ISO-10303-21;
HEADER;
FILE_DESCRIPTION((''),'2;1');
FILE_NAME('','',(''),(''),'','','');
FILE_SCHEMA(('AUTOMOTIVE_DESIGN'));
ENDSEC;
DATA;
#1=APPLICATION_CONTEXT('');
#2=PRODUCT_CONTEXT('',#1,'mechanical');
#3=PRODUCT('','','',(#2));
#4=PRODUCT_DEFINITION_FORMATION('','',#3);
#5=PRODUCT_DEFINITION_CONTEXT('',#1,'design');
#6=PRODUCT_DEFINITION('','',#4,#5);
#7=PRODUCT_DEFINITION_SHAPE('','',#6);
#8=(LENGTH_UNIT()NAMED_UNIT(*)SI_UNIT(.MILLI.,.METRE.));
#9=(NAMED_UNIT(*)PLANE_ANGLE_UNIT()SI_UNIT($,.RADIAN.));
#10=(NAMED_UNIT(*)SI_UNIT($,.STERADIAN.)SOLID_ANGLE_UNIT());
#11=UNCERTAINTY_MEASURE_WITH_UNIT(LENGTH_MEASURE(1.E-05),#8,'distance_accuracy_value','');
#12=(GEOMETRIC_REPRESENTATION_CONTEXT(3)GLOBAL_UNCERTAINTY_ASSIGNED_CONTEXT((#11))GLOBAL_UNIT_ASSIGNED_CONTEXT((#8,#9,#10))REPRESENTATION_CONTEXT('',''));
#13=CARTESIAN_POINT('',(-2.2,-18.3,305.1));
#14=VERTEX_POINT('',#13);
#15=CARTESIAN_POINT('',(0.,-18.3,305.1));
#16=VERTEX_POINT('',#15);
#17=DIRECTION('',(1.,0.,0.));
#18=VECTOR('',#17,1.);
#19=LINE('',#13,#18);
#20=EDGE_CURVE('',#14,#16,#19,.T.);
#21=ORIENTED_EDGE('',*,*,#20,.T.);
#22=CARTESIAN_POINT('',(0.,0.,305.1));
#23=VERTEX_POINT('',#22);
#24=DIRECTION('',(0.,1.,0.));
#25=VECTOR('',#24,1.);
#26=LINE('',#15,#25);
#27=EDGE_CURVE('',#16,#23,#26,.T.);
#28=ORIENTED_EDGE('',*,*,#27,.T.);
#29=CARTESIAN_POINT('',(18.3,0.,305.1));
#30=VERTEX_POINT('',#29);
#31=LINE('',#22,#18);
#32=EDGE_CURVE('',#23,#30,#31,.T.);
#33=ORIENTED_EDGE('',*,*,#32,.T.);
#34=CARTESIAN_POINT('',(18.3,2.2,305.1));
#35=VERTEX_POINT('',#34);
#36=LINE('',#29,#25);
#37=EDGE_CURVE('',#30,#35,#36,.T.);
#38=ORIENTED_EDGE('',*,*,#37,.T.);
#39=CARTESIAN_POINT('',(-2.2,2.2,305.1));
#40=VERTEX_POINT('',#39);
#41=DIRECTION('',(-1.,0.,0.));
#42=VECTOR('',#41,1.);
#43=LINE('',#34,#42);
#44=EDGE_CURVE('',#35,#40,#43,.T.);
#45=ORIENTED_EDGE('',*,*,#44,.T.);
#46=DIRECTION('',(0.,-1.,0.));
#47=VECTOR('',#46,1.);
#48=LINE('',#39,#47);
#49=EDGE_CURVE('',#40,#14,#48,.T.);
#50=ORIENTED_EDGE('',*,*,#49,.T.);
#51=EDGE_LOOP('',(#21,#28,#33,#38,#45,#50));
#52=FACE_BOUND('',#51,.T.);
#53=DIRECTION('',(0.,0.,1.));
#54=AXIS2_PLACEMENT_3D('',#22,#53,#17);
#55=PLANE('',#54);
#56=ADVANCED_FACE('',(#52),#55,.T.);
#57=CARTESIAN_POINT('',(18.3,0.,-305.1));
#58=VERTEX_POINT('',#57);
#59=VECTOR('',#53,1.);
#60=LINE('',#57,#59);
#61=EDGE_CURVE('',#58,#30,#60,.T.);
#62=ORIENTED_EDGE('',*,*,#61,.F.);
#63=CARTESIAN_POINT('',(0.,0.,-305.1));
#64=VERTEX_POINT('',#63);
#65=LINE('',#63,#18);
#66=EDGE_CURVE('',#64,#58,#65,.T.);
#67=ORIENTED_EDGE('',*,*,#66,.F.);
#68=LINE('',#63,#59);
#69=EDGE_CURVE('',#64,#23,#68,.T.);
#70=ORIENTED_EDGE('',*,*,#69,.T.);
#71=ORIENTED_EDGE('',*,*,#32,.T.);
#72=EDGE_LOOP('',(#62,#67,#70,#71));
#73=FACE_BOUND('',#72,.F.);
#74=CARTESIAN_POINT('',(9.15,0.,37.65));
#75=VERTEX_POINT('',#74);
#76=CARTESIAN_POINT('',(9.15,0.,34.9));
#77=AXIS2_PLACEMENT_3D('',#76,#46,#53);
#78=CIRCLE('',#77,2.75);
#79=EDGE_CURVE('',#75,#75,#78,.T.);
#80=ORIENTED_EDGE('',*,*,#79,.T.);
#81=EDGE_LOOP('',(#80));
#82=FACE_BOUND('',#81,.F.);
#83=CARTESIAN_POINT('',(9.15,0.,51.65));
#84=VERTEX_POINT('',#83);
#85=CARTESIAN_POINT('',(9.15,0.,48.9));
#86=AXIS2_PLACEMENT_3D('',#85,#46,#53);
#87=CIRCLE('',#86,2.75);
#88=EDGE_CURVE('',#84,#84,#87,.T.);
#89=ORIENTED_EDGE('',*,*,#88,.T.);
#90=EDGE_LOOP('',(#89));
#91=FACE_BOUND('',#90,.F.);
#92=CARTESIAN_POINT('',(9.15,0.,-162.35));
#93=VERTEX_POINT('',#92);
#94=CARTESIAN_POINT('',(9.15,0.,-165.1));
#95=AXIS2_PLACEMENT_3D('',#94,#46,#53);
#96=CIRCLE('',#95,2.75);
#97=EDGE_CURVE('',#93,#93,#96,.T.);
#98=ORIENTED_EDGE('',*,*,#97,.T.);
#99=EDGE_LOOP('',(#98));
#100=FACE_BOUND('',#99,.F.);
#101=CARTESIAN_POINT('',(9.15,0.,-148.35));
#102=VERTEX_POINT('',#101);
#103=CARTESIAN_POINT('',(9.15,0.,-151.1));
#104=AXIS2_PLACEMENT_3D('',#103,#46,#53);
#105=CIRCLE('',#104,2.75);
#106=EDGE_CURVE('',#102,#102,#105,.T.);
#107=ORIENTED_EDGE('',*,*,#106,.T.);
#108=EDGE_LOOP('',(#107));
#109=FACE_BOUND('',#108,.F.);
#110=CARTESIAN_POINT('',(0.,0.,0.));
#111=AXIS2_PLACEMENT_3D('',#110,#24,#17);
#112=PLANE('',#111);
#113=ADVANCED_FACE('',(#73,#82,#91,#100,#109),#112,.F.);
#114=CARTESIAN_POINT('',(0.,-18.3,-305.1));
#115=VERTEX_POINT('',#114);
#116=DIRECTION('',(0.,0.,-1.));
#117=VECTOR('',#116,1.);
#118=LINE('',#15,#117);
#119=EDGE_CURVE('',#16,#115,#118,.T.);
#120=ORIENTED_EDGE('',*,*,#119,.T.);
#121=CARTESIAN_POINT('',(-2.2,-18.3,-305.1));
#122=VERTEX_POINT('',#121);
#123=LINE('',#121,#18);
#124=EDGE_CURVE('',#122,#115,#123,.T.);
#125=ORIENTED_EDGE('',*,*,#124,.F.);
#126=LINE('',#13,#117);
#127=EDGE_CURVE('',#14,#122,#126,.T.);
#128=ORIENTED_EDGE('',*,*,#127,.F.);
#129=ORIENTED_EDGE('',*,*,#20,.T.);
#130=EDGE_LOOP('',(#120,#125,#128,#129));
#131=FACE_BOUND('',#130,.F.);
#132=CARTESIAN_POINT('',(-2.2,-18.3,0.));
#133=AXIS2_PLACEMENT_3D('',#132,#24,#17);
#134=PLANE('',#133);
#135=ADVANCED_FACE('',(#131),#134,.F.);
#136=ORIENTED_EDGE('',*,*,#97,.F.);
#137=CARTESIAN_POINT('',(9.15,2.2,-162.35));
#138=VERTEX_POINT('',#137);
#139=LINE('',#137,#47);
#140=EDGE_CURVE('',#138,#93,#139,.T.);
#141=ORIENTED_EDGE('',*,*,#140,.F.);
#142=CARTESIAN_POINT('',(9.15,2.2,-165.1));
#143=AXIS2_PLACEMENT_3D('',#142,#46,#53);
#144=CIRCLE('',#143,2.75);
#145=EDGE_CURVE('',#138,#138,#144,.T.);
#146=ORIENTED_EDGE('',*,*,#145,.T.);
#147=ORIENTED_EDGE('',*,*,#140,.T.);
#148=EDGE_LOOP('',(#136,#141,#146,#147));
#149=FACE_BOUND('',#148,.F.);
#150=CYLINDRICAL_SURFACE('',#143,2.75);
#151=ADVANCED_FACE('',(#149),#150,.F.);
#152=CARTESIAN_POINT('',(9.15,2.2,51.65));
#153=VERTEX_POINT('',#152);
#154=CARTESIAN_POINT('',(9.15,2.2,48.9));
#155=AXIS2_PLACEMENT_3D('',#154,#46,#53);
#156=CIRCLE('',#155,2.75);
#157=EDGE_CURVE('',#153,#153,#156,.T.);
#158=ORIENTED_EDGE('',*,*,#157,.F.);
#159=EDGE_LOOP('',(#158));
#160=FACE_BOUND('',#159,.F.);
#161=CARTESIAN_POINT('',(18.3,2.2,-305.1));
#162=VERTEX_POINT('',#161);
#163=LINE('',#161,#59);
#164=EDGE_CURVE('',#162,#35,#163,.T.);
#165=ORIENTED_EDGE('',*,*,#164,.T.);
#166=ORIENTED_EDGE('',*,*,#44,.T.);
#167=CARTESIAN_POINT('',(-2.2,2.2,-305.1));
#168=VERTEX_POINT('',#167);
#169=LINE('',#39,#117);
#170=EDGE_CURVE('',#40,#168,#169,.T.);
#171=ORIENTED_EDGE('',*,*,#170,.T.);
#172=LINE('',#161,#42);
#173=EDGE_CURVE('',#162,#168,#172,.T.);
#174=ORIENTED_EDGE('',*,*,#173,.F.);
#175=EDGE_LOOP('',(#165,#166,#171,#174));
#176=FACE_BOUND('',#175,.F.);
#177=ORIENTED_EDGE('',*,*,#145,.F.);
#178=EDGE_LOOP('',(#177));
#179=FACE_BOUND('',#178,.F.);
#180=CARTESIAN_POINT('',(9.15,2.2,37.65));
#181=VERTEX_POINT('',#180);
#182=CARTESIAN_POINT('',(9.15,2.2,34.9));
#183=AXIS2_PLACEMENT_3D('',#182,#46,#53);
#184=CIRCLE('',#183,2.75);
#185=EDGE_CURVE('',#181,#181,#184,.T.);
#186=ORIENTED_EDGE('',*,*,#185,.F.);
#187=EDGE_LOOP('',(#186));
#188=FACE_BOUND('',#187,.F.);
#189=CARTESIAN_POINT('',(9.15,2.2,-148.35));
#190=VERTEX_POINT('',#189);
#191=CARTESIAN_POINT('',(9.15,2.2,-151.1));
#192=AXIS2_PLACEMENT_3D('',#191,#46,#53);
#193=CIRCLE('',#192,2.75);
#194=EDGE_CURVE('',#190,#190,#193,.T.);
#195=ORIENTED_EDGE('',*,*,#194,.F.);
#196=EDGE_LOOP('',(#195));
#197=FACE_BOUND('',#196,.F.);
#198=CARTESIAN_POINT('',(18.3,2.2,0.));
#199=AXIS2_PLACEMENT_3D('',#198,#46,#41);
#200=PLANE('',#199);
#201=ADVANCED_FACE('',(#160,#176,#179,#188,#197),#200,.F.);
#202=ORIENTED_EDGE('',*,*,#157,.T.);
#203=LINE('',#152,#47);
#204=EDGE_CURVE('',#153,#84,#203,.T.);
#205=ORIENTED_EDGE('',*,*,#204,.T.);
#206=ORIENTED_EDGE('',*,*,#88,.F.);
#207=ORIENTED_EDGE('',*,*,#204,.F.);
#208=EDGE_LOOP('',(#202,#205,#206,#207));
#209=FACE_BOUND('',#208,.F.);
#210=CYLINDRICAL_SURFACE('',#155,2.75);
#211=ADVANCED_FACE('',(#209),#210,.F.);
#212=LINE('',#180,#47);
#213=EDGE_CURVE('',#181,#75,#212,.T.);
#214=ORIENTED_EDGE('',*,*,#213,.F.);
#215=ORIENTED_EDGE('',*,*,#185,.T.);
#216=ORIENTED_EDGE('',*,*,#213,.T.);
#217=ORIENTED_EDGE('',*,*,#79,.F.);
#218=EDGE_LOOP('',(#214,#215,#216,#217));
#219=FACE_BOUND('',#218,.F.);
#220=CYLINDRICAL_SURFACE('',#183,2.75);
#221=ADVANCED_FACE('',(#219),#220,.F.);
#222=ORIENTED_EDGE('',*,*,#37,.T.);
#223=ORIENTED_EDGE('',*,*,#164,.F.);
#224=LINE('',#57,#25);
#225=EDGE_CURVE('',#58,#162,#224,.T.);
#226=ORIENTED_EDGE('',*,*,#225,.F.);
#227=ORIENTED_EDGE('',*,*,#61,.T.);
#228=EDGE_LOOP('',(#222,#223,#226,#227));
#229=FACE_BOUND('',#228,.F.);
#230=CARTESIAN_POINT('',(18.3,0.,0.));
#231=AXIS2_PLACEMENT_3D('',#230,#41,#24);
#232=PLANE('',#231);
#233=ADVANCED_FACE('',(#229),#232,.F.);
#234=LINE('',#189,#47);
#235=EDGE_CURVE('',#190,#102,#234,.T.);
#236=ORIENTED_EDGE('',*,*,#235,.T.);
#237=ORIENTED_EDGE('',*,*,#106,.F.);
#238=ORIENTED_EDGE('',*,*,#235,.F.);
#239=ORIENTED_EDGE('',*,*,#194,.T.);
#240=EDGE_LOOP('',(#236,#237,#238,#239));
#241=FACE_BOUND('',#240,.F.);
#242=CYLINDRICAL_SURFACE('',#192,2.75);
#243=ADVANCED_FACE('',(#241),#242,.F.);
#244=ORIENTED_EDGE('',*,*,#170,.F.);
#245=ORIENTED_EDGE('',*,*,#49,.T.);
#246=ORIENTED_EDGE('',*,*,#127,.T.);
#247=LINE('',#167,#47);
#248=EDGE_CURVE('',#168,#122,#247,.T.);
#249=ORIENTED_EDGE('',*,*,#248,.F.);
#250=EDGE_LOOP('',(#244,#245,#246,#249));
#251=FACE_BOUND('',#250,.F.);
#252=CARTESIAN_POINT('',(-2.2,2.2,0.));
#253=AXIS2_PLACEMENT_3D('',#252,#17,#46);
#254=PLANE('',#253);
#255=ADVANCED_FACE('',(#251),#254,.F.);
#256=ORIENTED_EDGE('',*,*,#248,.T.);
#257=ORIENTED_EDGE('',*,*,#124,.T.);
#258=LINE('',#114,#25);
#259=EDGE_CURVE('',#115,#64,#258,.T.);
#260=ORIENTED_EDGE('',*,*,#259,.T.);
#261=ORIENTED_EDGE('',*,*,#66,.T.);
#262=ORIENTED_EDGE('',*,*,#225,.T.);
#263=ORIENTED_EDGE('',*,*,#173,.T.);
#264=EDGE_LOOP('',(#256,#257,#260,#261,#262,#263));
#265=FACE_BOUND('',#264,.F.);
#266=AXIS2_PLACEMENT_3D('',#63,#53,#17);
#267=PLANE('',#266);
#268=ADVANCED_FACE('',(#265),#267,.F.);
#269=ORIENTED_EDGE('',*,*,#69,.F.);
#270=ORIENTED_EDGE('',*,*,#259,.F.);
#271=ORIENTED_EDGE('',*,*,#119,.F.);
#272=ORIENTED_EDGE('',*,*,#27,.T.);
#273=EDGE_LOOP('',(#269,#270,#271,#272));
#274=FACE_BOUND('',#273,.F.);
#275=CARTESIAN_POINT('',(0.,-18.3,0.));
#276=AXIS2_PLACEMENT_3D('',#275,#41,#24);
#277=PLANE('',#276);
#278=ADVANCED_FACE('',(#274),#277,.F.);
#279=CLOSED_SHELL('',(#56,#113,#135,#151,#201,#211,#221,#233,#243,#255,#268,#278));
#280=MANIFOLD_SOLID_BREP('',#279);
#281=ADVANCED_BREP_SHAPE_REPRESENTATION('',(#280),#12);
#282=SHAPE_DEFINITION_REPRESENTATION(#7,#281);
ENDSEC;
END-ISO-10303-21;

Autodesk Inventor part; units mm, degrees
ref_plane "YZ Plane" through (0, 0, 0) normal (1, 0, 0) x (0, 1, 0)
ref_plane "XZ Plane" through (0, 0, 0) normal (0, 1, 0) x (-1, 0, 0)
ref_plane "XY Plane" through (0, 0, 0) normal (0, 0, 1) x (1, 0, 0)
sketch "Esquisse1" plane through (0, 0, 0) normal (0, 0, 1) x (1, 0, 0)
  line L0 (0, 0) -> (18.3, 0)
  line L1 (18.3, 0) -> (18.3, 2.2)
  line L2 (18.3, 2.2) -> (-2.2, 2.2)
  line L3 (-2.2, 2.2) -> (-2.2, -18.3)
  line L4 (-2.2, -18.3) -> (0, -18.3)
  line L5 (0, -18.3) -> (0, 0)
  dimension "Epaisseur_cornière" = 2.2
  dimension "Largueur" = 20.5
extrude "Embase" add sketch "Esquisse1" along normal mid plane 610.2
sketch "Esquisse2" plane through (0, 0, 0) normal (0, 1, 0) x (-1, 0, 0)
  line L0 (2.2, 305.1) -> (-18.3, 284.6)
  line L1 (-18.3, 284.6) -> (-18.3, 305.1)
  line L2 (-18.3, 305.1) -> (2.2, 305.1)
  line L3 (-18.3, 305.1) -> (2.2, 305.1) construction
  line L4 (2.2, -305.1) -> (2.2, 305.1) construction
  line L5 (-18.3, -305.1) -> (-18.3, 305.1) construction
  point P0 (0, 0)
  dimension "d4" = 45
extrude "Découpe à 45" [suppressed]
mirror "Symétrie découpe" [suppressed]
sketch "Esquisse3" plane through (-2.2, 2.2, 305.1) normal (0, 1, 0) x (1, 0, 0)
  line L0 (0, 610.2) -> (20.5, 610.2) construction
  line L1 (20.5, 610.2) -> (20.5, 0) construction
  line L2 (2.2, 0) -> (2.2, 610.2) construction
  point P0 (2.2, 305.1)
  point P1 (11.35, 470.2)
  point P2 (11.35, 456.2)
  dimension "d7" = 14
  dimension "d8" = 140
  dimension "d9" = 9.15
  dimension "d17" = 18.3
hole "Perçage1" at (9.15, 2.2, -165.1) at (9.15, 2.2, -151.1) direction (0, -1, 0) diameter 5.5 end through all clearance for "Vis à tête plate fraisée ISO 2009/7046" size "M5" standard "ISO"
pattern_linear "Réseau rectangulaire1" count 2 spacing 200 along (0, 0, 1) of "Perçage1"
equation "\"d9\" = 0.5 * d17"
properties part number "1400-06-04 Profilé vertical chaniere" material "Aluminium 6061"
